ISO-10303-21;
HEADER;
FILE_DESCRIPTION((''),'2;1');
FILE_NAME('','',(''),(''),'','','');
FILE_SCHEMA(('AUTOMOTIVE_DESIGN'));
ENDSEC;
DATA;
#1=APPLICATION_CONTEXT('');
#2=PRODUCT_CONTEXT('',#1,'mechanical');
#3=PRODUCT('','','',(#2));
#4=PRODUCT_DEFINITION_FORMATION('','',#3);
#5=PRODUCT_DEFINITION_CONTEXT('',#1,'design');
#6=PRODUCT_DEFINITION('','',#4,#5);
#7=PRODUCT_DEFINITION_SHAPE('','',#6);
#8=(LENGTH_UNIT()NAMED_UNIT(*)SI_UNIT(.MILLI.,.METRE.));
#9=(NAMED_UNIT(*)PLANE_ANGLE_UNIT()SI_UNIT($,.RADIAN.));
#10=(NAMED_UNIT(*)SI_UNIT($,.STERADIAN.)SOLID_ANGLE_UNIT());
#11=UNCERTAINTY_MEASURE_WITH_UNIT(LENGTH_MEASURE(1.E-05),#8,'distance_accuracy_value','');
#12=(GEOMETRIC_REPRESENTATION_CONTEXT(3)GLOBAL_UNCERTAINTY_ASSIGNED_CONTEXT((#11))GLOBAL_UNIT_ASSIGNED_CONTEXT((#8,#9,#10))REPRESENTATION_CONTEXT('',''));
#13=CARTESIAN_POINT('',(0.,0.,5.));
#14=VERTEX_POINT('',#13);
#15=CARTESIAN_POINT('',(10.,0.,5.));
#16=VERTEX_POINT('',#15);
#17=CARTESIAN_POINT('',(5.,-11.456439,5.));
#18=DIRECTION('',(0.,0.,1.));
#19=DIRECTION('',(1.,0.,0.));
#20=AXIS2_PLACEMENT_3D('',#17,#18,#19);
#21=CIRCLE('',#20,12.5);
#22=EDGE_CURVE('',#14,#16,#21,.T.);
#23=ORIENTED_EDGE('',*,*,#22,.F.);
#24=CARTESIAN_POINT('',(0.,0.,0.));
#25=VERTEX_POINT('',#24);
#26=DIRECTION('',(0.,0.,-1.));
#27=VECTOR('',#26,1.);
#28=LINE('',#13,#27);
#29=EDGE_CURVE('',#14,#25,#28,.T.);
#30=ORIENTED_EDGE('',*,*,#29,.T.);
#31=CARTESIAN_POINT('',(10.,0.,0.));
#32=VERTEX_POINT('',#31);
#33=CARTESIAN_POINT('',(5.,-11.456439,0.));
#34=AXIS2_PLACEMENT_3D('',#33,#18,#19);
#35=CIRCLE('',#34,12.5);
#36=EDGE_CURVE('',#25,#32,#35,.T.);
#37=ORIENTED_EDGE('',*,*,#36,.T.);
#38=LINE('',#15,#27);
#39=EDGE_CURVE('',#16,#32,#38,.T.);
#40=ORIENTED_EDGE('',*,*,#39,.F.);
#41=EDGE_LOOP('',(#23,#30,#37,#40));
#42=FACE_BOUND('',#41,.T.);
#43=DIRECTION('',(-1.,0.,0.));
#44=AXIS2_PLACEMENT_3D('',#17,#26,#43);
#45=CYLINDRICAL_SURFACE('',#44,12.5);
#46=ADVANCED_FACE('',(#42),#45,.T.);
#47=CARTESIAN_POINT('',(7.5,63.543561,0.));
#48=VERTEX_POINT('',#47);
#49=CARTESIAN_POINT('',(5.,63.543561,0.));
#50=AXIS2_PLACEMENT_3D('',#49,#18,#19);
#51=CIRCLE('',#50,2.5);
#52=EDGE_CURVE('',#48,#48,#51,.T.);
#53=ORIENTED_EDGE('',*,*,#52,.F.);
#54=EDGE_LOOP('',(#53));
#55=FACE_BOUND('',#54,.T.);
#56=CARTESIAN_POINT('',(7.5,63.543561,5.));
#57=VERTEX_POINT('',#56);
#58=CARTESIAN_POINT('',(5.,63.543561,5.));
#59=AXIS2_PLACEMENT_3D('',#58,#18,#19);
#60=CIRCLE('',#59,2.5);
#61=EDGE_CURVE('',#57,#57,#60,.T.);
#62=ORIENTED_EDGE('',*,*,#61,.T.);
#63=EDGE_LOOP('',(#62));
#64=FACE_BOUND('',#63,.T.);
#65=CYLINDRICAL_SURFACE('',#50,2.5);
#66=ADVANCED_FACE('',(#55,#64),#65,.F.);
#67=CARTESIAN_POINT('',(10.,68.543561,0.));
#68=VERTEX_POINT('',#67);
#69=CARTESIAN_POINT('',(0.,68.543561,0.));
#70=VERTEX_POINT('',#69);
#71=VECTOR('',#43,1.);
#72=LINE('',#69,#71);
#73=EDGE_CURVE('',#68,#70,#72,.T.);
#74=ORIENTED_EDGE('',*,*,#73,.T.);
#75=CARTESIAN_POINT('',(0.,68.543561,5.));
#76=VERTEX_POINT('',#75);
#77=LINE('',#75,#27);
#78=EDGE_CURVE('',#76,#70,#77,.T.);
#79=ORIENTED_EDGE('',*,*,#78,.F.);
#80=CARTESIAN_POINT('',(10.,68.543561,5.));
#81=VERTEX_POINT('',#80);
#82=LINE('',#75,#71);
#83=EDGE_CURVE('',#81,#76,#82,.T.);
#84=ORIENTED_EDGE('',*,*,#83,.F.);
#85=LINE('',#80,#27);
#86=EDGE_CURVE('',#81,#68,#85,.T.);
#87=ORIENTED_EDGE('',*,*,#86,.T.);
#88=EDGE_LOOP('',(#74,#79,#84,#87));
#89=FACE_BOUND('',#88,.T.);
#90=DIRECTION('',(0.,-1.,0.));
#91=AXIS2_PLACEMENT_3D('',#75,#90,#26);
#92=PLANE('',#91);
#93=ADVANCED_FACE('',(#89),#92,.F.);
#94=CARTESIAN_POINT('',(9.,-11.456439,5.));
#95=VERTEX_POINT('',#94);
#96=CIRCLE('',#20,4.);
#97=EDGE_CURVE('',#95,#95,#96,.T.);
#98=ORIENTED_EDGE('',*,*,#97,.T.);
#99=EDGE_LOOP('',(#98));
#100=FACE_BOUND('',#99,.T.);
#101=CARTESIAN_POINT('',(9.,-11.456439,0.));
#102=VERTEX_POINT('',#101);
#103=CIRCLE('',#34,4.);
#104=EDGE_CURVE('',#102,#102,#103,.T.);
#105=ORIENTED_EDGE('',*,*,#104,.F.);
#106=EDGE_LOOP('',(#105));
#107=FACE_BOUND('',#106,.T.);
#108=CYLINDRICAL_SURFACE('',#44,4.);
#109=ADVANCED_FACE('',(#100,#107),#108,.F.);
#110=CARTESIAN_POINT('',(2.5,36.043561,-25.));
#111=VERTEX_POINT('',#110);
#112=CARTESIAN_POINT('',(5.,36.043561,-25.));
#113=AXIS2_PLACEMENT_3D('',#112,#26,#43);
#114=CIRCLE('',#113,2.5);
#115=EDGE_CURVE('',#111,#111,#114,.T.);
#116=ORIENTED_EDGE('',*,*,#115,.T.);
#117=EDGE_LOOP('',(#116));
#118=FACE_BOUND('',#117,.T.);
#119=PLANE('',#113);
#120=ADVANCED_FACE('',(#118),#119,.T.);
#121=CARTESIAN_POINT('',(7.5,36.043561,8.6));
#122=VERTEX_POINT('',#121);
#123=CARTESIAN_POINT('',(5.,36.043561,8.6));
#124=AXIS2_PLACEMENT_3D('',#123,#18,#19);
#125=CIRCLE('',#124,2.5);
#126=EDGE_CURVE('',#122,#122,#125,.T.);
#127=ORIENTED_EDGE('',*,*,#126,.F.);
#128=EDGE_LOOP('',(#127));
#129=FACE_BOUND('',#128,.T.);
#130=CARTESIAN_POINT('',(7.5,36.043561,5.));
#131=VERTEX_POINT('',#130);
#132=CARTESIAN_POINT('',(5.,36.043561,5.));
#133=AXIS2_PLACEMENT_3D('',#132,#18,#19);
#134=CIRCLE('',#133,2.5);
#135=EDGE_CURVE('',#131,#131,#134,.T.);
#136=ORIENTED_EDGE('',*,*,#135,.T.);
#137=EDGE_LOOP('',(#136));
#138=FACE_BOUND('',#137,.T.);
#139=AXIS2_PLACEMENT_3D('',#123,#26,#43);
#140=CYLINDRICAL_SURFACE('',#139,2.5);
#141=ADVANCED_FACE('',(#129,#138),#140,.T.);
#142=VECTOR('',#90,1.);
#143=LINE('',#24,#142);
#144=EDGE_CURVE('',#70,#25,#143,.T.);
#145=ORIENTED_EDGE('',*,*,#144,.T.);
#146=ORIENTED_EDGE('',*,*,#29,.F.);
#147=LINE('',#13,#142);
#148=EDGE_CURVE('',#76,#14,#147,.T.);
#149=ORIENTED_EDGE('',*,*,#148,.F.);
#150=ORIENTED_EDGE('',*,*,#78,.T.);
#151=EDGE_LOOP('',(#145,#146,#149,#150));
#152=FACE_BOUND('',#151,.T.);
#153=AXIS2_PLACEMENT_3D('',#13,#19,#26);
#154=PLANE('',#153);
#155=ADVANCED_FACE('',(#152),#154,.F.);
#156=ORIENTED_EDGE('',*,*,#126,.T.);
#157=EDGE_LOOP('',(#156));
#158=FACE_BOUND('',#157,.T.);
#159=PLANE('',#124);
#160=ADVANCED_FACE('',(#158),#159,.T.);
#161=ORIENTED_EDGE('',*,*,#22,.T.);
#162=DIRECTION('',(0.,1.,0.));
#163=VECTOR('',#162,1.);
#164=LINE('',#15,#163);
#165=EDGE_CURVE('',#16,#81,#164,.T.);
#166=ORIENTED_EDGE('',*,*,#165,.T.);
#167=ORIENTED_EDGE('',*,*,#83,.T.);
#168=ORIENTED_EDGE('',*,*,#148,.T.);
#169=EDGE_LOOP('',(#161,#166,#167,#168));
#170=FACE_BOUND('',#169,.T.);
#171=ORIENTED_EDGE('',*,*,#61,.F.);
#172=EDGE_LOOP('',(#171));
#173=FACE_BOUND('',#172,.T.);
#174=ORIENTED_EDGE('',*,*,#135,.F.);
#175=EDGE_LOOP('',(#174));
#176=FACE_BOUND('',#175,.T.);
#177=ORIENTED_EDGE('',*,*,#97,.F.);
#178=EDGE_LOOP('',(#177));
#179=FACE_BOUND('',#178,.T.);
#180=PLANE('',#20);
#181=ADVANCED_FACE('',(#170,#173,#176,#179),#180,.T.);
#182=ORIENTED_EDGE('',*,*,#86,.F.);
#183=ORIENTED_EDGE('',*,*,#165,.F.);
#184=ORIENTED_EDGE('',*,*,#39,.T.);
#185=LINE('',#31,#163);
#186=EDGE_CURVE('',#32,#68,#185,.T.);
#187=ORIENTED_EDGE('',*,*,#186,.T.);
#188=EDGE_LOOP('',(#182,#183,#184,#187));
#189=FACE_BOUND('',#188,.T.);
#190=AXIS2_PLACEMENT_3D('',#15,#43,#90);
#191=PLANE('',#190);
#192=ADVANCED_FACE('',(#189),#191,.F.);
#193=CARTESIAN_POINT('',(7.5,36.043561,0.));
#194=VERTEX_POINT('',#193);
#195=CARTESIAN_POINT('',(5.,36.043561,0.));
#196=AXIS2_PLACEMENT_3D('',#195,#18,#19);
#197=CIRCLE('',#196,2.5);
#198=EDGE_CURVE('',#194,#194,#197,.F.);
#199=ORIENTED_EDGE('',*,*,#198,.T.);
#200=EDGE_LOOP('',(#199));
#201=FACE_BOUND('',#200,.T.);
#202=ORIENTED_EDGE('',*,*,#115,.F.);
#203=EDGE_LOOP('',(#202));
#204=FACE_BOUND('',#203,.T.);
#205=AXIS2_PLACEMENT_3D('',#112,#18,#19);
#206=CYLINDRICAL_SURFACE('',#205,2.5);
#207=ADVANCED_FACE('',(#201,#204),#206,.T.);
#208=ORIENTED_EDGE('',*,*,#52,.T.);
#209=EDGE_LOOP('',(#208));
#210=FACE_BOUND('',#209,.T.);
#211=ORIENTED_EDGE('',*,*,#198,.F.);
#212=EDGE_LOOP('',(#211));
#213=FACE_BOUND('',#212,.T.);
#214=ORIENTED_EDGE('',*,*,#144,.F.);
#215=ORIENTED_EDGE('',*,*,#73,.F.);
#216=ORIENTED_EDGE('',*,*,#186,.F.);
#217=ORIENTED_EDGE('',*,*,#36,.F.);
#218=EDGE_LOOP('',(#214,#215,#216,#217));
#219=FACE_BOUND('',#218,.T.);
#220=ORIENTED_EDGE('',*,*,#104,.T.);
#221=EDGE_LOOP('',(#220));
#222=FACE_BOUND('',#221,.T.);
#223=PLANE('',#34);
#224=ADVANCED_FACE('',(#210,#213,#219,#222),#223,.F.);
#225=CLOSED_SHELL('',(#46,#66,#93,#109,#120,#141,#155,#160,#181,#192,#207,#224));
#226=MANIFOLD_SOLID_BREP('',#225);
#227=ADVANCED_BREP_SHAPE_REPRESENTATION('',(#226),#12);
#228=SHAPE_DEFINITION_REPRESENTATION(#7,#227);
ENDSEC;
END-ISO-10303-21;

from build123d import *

# Parameters (mm, degrees)
SKETCH1_R           = 4
BOSS_EXTRUDE1_DEPTH = 5
SKETCH2_R           = 2.5
CUT_EXTRUDE1_DEPTH  = 6
SKETCH3_R           = 2.5
BOSS_EXTRUDE2_DEPTH = 3.6
SKETCH4_R           = 2.5
BOSS_EXTRUDE3_DEPTH = 25


with BuildPart() as part:
    # Sketch1 → Boss-Extrude1 (new body)
    with BuildSketch(Plane.XY):
        with BuildLine():
            Line((0, 0), (0, 68.543560763))
            Line((0, 68.543560763), (10, 68.543560763))
            Line((10, 68.543560763), (10, 0))
            ThreePointArc((10, 0), (5, -23.956439237), (0, 0))
        make_face()
        with Locations((5, -11.456439237)):
            Circle(SKETCH1_R, mode=Mode.SUBTRACT)
    extrude(amount=BOSS_EXTRUDE1_DEPTH)

    # Sketch2 → Cut-Extrude1 (cut, through all)
    with BuildSketch(Plane.XY.offset(5)):
        with Locations((5, 63.543560763)):
            Circle(SKETCH2_R)
    extrude(amount=-CUT_EXTRUDE1_DEPTH, mode=Mode.SUBTRACT)

    # Sketch3 → Boss-Extrude2 (add)
    with BuildSketch(Plane.XY.offset(5)):
        with Locations((5, 36.043560763)):
            Circle(SKETCH3_R)
    extrude(amount=BOSS_EXTRUDE2_DEPTH)

    # Sketch4 → Boss-Extrude3 (add)
    with BuildSketch(Plane(origin=(0, 0, 0), x_dir=(-1, 0, 0), z_dir=(0, 0, -1))):
        with Locations((-5, 36.043560763)):
            Circle(SKETCH4_R)
    extrude(amount=BOSS_EXTRUDE3_DEPTH)


solid = part.part
